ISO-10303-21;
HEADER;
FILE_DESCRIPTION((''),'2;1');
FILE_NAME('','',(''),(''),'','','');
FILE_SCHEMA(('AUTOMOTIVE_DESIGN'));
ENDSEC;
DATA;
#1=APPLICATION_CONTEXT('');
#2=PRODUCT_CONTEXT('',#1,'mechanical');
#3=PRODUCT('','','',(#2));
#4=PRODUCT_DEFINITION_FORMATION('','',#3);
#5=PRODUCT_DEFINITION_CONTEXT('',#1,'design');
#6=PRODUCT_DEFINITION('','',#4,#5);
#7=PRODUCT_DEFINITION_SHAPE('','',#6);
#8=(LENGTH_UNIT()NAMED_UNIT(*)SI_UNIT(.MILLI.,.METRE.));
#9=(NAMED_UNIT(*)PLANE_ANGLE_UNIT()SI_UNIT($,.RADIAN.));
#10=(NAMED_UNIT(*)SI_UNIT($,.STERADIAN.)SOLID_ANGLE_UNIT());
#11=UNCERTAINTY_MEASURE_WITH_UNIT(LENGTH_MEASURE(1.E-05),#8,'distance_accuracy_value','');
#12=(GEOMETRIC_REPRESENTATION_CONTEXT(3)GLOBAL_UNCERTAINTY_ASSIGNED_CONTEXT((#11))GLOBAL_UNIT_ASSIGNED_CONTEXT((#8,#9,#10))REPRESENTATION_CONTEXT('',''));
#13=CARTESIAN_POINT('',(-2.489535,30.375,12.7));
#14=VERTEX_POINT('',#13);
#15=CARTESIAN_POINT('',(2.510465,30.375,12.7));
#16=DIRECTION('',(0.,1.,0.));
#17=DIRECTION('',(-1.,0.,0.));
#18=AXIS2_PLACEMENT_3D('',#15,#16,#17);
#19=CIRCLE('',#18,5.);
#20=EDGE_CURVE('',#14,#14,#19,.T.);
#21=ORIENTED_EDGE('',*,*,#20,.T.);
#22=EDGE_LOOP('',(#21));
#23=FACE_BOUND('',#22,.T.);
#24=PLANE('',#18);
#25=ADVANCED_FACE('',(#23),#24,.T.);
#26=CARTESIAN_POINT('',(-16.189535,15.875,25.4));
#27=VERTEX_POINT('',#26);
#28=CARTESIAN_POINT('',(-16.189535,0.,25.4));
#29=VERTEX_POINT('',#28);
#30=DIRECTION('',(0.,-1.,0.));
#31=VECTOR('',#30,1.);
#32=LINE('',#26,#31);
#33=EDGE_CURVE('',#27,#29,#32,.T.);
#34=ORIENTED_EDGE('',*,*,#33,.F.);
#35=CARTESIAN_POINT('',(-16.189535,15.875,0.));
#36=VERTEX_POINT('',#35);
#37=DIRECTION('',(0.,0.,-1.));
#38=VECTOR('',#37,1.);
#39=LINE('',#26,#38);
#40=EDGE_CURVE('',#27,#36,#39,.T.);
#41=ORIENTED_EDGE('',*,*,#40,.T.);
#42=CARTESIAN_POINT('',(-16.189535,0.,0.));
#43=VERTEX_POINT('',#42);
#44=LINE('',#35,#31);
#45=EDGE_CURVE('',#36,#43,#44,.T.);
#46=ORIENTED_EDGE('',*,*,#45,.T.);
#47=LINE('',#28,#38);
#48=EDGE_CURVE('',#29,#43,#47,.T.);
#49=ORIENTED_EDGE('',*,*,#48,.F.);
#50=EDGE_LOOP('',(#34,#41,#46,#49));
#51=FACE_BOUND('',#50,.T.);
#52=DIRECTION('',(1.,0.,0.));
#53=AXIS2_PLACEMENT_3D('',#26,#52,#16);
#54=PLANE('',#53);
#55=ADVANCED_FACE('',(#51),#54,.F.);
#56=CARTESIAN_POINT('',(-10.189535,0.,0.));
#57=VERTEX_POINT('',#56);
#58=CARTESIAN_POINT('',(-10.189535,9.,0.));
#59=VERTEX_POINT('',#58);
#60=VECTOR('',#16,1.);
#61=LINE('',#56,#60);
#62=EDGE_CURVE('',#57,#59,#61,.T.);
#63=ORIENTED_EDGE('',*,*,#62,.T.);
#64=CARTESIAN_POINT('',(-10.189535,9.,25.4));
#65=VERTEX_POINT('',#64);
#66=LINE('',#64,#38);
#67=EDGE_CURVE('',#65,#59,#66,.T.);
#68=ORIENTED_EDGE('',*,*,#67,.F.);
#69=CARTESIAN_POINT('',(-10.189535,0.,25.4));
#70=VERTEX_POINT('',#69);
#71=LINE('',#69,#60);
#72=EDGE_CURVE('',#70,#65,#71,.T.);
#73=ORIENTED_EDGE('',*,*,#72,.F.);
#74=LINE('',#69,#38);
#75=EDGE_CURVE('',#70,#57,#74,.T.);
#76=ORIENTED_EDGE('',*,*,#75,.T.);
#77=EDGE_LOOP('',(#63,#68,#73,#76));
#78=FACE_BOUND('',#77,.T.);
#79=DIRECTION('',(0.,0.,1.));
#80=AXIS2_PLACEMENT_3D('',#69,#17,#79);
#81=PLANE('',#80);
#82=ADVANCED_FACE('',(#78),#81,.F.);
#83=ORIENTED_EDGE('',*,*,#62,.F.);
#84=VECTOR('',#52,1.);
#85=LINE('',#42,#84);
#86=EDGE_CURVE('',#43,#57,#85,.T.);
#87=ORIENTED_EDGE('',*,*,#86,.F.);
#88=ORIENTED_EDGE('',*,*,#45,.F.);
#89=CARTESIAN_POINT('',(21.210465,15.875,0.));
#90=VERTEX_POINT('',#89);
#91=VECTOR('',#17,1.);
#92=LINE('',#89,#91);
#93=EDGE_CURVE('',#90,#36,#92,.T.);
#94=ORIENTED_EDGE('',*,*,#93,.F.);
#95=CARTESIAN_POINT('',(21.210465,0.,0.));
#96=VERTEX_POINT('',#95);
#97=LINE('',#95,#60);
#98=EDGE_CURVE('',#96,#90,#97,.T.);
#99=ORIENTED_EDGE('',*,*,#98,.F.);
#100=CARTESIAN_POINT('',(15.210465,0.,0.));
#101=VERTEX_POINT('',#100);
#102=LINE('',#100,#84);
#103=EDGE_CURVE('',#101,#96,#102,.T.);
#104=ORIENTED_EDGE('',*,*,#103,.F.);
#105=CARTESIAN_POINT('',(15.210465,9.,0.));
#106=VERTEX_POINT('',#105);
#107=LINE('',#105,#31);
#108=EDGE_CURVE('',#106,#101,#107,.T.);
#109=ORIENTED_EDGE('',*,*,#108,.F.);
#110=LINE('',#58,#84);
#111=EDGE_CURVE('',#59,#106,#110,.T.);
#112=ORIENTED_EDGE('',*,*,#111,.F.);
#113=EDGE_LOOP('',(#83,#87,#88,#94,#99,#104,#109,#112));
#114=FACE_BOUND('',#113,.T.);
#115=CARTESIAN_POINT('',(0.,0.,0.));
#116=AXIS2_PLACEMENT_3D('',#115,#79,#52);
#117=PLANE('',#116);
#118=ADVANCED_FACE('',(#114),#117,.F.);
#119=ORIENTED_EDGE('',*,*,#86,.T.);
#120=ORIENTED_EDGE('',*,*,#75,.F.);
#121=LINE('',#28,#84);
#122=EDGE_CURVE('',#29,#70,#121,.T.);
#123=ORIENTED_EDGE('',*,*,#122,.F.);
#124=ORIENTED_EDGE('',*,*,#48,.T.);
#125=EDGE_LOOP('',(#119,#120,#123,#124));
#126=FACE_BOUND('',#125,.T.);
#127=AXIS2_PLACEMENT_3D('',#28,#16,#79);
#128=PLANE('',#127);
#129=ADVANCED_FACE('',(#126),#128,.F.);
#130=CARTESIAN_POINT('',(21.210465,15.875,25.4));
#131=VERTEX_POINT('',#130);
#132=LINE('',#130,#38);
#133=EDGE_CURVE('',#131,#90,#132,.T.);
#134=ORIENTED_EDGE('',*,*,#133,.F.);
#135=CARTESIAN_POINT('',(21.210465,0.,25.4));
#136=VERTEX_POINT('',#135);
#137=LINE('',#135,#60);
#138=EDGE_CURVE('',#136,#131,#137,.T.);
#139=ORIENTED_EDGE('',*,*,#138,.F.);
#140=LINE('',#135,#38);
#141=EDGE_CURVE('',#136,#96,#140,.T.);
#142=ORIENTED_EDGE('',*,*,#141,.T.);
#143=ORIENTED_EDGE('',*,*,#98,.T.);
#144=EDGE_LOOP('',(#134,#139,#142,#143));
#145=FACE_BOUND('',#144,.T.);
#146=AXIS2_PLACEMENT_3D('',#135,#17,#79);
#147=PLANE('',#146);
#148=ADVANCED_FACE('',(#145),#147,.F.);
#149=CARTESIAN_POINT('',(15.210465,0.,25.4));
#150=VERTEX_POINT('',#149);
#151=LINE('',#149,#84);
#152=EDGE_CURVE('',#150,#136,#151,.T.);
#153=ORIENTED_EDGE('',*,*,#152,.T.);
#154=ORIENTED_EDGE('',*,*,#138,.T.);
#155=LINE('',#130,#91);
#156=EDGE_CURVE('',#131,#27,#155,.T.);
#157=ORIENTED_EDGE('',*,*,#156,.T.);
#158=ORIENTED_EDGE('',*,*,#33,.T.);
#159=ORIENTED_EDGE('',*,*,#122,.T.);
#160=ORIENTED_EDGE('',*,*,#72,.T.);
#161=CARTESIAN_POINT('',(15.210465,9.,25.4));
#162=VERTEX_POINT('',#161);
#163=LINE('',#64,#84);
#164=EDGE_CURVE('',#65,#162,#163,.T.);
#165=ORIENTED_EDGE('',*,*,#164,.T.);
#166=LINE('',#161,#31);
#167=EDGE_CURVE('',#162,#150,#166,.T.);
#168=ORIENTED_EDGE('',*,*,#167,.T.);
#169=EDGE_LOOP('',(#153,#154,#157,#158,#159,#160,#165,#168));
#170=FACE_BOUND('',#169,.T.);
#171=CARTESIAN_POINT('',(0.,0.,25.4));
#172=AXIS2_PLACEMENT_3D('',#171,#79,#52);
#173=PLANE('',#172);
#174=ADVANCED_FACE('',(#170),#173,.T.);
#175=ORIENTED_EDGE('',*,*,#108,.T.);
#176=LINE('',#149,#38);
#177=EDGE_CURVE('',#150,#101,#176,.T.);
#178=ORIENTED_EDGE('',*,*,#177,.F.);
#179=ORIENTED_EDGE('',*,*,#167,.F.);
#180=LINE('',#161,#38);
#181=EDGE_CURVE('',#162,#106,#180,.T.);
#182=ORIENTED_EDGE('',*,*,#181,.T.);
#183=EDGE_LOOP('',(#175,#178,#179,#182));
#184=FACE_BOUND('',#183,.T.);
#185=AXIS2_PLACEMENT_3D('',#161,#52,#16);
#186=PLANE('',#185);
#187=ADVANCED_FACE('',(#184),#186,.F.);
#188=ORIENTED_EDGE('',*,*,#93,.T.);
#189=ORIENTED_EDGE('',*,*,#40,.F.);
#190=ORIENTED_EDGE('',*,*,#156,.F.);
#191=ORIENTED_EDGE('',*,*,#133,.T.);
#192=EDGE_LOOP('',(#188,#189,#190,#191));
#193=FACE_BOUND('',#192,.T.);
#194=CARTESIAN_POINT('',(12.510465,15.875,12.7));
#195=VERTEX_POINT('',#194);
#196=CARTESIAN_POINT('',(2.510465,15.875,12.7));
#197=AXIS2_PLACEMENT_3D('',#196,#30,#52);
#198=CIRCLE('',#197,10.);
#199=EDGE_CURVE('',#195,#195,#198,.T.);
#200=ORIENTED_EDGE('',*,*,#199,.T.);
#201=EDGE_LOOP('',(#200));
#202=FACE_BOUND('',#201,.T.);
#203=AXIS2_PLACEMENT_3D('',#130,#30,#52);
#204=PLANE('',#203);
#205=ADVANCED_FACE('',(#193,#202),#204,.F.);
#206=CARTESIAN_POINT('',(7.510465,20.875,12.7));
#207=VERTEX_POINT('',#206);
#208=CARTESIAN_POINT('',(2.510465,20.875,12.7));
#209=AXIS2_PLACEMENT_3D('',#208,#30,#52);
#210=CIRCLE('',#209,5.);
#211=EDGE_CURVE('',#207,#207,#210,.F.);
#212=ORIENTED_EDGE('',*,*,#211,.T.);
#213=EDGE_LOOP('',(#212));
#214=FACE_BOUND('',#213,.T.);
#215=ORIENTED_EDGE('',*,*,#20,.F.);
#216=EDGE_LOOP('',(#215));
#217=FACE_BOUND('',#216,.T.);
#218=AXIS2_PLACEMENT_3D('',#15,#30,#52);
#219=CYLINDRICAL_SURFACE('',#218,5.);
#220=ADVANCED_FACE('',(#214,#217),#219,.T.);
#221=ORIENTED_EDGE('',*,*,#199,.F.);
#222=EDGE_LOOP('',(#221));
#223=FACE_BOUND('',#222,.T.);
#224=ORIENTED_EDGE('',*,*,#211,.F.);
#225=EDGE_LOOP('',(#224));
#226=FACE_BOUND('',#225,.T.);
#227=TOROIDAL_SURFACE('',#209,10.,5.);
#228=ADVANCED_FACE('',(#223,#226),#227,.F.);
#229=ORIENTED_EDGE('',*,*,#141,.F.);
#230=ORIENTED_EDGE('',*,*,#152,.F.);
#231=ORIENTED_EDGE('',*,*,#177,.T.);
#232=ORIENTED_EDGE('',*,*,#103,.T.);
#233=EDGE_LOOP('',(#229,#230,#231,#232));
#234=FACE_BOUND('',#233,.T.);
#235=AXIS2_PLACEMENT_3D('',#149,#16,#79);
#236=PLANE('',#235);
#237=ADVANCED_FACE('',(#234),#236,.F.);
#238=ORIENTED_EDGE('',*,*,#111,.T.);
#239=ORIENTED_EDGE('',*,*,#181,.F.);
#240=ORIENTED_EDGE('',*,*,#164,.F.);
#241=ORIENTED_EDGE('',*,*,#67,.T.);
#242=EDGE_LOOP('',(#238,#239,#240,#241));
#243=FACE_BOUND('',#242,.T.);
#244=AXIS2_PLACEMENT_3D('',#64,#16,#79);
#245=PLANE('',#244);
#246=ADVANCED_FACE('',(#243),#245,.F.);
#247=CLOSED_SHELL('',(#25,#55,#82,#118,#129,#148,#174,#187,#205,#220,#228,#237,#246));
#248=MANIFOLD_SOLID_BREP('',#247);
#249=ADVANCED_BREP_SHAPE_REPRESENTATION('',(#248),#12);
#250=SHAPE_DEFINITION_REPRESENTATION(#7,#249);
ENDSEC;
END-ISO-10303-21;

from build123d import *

# Parameters (mm, degrees)
BOSS_EXTRUDE1_DEPTH = 25.4
SKETCH2_R           = 5
BOSS_EXTRUDE2_DEPTH = 14.5
FILLET1_R           = 5


with BuildPart() as part:
    # Sketch1 → Boss-Extrude1 (new body)
    with BuildSketch(Plane.XY):
        Polygon((-10.189534884, 0), (-10.189534884, 9), (15.210465116, 9), (15.210465116, 0), (21.210465116, 0), (21.210465116, 15.875), (-16.189534884, 15.875), (-16.189534884, 0), align=None)
    extrude(amount=BOSS_EXTRUDE1_DEPTH)

    # Sketch2 → Boss-Extrude2 (add)
    with BuildSketch(Plane(origin=(0, 15.875, 0), x_dir=(1, 0, 0), z_dir=(0, 1, 0))):
        with Locations((2.510465116, -12.7)):
            Circle(SKETCH2_R)
    extrude(amount=BOSS_EXTRUDE2_DEPTH)

    # Fillet1
    fillet1_edges = [part.edges().sort_by_distance(p)[0] for p in [
        (-2.489534884, 15.875, 12.7),
    ]]
    fillet(fillet1_edges, radius=FILLET1_R)


solid = part.part
